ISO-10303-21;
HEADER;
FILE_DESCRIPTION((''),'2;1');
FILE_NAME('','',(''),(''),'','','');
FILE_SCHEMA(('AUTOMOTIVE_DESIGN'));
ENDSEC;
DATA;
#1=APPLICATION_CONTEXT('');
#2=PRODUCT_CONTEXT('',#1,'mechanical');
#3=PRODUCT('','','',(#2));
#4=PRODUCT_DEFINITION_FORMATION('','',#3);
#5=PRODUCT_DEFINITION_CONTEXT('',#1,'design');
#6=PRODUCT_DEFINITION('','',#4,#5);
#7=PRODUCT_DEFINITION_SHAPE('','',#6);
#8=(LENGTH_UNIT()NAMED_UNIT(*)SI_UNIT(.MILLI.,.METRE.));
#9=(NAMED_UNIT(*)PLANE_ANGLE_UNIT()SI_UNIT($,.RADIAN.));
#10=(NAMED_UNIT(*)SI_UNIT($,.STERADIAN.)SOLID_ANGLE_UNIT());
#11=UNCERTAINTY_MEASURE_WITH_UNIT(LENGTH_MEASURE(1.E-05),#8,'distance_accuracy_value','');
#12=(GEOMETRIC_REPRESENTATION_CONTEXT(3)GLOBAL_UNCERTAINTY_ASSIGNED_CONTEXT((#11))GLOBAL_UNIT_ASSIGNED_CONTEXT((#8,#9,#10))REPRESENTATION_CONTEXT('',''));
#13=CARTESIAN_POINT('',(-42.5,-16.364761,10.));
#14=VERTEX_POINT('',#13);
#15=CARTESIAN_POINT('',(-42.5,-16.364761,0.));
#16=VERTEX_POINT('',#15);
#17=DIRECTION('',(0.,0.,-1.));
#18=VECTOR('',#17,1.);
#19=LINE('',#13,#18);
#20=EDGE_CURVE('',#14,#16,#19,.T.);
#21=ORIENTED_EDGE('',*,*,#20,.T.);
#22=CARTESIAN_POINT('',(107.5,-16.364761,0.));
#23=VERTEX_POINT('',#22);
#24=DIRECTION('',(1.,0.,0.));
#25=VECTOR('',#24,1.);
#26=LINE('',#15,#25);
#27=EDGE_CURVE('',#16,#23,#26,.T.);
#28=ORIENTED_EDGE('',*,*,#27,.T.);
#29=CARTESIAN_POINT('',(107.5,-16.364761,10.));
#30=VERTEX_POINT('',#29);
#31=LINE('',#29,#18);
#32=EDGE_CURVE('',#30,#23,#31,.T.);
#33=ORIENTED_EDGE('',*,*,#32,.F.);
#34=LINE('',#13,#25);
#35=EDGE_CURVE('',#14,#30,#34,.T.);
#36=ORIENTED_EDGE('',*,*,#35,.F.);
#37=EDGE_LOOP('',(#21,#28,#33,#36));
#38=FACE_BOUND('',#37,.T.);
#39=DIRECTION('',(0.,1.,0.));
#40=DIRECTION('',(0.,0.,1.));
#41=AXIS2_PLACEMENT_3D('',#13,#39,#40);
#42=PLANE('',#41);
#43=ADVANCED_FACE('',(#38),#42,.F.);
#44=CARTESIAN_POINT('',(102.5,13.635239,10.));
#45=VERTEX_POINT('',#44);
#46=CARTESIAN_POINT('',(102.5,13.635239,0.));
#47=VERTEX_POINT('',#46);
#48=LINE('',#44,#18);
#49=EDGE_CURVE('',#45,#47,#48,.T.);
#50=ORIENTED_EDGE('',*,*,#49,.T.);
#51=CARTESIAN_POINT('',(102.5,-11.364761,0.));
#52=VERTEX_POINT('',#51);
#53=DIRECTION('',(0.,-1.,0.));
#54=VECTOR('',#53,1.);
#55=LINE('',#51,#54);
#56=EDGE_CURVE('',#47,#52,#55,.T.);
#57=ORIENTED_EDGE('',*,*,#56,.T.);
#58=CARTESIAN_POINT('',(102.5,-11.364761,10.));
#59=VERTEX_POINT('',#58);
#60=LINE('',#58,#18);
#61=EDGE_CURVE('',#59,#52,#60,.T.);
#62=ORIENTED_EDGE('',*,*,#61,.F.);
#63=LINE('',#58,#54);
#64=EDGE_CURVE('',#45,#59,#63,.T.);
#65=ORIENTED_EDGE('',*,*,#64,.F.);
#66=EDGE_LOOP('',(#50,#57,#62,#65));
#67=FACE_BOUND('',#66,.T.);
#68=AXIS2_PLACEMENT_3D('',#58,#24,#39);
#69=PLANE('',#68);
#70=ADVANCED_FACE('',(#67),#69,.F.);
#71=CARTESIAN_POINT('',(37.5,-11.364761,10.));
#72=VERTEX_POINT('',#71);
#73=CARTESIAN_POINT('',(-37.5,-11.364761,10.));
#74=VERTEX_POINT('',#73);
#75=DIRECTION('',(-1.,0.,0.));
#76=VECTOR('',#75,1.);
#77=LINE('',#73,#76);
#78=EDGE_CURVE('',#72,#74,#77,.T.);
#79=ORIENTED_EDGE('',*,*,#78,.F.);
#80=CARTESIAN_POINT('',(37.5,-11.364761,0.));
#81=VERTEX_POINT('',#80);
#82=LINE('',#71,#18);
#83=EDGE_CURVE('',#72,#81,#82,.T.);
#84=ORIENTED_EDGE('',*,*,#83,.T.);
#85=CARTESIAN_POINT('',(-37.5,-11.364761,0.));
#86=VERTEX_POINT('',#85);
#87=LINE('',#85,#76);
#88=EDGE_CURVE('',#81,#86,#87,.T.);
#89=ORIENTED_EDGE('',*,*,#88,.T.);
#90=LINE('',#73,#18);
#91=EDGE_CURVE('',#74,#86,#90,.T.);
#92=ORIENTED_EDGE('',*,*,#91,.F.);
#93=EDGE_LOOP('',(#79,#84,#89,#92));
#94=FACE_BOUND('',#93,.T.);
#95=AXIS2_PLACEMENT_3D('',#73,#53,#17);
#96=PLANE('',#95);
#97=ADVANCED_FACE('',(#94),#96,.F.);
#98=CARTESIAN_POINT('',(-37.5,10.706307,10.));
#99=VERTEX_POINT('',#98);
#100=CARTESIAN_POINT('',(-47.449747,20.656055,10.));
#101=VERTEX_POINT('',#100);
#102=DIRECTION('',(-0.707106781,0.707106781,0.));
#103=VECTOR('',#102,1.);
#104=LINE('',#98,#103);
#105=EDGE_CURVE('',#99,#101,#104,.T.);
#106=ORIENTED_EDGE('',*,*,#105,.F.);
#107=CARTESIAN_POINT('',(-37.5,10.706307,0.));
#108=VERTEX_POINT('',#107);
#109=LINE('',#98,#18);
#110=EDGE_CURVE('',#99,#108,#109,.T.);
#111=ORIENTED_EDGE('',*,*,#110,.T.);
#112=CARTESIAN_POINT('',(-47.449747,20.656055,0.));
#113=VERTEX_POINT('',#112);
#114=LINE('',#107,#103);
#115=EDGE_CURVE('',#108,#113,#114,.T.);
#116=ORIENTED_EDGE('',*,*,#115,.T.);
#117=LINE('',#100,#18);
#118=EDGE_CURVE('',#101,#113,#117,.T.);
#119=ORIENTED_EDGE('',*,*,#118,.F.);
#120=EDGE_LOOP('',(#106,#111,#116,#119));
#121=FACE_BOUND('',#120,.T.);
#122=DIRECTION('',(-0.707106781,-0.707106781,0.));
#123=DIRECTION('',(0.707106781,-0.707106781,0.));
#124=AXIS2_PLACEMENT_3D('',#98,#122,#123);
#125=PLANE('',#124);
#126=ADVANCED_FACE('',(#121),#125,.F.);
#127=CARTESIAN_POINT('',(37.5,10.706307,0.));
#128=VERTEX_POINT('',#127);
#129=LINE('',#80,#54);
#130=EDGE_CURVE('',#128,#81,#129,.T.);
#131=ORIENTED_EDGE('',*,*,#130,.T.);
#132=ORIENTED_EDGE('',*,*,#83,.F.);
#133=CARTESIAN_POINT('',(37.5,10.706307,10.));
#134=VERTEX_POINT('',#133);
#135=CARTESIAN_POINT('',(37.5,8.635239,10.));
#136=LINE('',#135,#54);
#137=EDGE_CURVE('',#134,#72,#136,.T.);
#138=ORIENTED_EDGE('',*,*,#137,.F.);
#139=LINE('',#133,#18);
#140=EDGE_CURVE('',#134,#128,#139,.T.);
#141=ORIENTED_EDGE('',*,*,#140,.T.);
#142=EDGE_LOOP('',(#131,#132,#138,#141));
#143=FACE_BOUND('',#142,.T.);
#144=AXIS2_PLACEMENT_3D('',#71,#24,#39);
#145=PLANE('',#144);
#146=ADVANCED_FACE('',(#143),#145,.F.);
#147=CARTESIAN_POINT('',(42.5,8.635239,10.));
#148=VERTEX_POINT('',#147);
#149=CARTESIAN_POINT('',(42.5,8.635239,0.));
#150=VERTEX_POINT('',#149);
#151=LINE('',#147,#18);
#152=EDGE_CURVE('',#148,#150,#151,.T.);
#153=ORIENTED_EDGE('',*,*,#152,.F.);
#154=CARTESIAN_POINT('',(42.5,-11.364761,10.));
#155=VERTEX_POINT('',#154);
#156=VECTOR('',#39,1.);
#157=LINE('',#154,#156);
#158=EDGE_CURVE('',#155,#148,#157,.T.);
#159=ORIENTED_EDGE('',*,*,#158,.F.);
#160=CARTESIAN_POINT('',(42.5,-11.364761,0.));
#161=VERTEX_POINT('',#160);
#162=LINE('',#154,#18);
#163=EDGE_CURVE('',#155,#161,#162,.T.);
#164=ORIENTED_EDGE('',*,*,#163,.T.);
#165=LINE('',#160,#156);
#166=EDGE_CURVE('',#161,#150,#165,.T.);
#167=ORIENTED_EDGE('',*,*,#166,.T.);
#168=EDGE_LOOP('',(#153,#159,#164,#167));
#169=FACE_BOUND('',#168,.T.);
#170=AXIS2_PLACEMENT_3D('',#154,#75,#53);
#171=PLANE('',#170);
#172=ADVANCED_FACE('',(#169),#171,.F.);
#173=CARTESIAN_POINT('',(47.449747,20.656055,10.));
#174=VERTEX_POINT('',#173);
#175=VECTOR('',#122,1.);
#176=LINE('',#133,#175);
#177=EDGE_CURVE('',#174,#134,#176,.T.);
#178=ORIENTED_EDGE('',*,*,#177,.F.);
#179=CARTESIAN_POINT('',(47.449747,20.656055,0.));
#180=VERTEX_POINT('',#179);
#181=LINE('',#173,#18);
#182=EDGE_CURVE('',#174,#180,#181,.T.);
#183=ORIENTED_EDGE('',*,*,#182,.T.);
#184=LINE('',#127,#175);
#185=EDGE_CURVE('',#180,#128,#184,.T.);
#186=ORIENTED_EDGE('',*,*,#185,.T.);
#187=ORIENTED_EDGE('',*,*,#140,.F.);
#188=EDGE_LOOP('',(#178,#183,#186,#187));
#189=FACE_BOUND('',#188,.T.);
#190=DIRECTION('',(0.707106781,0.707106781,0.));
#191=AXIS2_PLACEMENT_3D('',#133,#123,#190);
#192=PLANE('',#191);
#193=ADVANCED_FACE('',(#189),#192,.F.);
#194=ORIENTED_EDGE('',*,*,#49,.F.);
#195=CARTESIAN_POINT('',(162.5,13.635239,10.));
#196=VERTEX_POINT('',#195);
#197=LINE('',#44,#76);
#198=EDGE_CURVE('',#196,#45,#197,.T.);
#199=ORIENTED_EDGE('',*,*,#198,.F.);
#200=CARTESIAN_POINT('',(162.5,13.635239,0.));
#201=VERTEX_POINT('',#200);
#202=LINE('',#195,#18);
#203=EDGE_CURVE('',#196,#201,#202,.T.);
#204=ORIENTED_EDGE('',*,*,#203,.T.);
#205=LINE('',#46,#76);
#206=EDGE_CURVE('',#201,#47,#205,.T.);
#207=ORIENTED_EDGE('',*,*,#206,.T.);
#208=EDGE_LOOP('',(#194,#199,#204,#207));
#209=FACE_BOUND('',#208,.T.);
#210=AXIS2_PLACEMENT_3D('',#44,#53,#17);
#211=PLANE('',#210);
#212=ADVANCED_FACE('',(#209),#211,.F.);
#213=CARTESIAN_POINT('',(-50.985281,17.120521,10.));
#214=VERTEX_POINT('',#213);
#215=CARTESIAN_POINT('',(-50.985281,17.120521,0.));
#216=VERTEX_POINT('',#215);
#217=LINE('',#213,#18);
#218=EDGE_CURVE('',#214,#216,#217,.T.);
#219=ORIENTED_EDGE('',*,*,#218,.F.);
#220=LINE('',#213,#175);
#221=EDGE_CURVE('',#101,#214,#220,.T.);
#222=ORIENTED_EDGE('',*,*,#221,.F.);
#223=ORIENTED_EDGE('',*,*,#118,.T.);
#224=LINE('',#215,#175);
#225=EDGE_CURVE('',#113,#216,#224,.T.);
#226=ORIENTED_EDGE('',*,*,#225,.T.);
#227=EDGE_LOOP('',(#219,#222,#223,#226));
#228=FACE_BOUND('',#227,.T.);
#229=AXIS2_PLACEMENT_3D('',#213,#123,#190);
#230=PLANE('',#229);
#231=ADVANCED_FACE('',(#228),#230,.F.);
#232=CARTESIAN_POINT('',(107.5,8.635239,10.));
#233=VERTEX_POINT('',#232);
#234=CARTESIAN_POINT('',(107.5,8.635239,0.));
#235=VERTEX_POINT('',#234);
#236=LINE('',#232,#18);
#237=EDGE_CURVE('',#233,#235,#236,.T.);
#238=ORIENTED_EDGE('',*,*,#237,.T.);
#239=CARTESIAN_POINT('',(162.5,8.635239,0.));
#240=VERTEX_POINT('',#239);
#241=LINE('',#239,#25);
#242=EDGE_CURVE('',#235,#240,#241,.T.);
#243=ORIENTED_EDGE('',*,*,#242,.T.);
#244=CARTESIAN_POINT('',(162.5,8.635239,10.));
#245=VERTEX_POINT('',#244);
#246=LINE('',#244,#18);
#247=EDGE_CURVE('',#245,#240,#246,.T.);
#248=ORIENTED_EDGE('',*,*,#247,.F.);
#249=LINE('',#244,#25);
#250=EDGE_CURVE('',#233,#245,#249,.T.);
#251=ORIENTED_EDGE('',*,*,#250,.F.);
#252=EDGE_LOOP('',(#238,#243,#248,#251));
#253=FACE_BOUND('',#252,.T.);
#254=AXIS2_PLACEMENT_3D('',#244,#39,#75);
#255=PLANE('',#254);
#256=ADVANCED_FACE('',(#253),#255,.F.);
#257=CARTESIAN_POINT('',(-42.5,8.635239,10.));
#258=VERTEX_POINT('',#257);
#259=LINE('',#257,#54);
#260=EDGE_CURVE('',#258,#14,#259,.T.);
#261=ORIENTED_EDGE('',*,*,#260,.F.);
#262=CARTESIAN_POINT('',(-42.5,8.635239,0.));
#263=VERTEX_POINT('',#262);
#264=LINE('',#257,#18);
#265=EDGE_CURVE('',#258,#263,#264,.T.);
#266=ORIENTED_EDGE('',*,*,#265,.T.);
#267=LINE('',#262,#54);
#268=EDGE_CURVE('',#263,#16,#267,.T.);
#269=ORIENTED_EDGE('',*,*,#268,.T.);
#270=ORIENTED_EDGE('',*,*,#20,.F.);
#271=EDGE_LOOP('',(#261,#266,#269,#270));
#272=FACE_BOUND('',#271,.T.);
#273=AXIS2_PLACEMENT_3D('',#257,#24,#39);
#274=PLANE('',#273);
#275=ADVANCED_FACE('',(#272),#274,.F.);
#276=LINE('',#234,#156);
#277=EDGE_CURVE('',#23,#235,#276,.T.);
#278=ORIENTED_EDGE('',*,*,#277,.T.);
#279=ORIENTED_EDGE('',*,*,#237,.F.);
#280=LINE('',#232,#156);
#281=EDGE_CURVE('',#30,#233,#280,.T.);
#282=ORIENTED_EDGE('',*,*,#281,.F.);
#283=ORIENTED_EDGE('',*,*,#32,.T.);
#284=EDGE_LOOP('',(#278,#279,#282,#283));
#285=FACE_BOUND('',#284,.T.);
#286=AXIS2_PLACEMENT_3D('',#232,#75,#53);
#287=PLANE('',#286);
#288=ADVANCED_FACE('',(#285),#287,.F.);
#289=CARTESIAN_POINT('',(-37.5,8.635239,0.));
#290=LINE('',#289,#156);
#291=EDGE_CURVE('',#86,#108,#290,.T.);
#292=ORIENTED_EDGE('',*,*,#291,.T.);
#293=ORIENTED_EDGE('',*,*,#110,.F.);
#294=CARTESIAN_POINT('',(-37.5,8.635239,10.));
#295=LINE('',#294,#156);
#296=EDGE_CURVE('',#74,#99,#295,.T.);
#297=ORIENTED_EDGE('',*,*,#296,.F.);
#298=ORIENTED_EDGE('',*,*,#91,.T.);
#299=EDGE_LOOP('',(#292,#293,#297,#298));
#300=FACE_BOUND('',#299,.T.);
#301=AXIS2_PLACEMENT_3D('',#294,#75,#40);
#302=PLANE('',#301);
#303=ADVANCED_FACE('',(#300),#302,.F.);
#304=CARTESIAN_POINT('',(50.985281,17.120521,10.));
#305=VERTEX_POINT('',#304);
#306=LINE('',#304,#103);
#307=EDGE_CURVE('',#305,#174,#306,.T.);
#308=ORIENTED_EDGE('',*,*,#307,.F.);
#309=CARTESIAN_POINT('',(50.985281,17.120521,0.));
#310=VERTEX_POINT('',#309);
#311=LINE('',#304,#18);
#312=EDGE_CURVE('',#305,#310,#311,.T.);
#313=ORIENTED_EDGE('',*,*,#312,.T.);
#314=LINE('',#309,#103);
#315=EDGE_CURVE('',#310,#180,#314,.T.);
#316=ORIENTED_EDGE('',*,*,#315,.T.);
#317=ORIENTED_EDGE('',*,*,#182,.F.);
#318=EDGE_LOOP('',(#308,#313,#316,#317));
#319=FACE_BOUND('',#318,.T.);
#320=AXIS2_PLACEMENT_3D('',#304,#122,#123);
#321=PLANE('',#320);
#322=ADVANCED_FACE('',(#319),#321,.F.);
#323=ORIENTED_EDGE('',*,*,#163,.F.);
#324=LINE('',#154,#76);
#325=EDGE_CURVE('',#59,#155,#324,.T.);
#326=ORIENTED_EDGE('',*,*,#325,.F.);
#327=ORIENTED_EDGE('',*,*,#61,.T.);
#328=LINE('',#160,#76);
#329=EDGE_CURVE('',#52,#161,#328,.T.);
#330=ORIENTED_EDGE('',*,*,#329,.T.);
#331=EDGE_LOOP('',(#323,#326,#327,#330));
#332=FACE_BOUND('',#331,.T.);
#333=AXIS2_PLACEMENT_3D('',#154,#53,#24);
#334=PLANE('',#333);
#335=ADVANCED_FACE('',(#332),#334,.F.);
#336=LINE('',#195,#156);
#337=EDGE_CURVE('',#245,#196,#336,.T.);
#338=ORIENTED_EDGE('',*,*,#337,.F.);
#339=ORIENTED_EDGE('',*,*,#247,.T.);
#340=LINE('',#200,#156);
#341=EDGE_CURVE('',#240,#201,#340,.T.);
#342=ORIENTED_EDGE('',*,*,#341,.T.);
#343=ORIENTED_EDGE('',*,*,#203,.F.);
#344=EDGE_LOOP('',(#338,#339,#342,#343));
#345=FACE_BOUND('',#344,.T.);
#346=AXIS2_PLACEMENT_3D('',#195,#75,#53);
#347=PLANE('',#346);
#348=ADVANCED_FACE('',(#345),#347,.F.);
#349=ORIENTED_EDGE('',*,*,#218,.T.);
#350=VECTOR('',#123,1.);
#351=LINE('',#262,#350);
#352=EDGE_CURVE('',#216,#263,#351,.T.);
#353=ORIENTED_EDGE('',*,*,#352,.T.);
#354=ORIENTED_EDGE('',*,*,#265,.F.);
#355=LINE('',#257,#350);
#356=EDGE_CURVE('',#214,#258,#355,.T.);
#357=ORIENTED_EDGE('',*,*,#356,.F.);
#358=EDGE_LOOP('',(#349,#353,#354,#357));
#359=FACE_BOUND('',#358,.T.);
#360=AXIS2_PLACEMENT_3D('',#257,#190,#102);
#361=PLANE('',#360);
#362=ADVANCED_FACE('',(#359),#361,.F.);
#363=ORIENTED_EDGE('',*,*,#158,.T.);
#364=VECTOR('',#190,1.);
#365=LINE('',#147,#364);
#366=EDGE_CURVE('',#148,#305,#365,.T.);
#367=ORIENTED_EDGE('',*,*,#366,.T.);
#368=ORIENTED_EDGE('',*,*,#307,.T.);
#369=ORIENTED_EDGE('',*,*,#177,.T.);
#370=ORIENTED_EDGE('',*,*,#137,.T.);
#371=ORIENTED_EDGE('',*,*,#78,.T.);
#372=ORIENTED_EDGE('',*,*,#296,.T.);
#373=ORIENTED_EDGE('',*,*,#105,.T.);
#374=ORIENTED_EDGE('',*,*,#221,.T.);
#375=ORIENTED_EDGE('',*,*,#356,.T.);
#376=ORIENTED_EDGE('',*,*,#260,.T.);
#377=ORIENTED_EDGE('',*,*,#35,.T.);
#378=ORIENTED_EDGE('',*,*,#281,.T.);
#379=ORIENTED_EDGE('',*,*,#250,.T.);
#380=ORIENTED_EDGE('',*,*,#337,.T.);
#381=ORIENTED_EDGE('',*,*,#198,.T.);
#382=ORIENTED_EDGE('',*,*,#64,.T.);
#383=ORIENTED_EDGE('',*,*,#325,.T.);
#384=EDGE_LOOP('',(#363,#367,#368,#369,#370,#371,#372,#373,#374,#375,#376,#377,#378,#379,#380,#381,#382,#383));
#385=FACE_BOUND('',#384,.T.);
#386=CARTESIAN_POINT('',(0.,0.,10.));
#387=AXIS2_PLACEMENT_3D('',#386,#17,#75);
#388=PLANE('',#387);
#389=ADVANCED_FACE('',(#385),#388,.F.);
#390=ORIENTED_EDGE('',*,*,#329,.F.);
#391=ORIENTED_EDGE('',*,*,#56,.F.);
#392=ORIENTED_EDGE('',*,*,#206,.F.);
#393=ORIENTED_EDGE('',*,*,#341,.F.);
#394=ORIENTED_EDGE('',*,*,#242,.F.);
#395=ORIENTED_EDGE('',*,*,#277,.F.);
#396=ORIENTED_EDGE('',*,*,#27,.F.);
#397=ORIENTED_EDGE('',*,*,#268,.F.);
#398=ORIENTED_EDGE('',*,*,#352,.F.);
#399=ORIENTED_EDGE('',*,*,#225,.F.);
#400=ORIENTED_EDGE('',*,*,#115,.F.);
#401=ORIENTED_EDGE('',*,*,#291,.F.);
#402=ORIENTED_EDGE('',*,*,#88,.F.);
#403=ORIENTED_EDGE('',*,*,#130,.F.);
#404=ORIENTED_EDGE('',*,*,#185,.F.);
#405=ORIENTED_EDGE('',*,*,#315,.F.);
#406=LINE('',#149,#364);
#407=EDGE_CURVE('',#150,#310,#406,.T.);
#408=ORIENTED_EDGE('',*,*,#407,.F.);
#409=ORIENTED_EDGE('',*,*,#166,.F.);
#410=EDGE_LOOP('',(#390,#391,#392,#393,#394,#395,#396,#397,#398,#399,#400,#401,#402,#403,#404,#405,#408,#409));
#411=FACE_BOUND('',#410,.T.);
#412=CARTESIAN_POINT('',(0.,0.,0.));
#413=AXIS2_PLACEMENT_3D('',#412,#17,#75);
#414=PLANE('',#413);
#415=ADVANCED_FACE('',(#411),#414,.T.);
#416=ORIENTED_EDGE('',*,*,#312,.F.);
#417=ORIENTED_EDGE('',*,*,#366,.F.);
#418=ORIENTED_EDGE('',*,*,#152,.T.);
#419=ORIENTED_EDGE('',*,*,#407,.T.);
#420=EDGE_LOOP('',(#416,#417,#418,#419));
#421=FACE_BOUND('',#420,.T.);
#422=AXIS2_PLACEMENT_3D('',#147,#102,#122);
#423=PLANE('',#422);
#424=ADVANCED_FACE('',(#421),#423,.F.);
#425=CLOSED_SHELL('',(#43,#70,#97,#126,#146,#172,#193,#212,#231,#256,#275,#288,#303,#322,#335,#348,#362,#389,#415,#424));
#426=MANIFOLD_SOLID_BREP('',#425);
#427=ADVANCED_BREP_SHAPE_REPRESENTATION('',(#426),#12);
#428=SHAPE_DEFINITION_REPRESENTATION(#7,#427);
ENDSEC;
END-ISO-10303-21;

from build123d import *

# Parameters (mm, degrees)
BOSS_EXTRUDE1_DEPTH = 10


with BuildPart() as part:
    # Sketch1 → Boss-Extrude1 (new body)
    with BuildSketch(Plane.XY):
        Polygon((-42.5, 8.635239362), (-42.5, -16.364760638), (107.5, -16.364760638), (107.5, 8.635239362), (162.5, 8.635239362), (162.5, 13.635239362), (102.5, 13.635239362), (102.5, -11.364760638), (42.5, -11.364760638), (42.5, 8.635239362), (50.985281374, 17.120520736), (47.449747468, 20.656054642), (37.5, 10.706307174), (37.5, 8.635239362), (37.5, -11.364760638), (-37.5, -11.364760638), (-37.5, 8.635239362), (-37.5, 10.706307174), (-47.449747468, 20.656054642), (-50.985281374, 17.120520736), align=None)
    extrude(amount=BOSS_EXTRUDE1_DEPTH)


solid = part.part
